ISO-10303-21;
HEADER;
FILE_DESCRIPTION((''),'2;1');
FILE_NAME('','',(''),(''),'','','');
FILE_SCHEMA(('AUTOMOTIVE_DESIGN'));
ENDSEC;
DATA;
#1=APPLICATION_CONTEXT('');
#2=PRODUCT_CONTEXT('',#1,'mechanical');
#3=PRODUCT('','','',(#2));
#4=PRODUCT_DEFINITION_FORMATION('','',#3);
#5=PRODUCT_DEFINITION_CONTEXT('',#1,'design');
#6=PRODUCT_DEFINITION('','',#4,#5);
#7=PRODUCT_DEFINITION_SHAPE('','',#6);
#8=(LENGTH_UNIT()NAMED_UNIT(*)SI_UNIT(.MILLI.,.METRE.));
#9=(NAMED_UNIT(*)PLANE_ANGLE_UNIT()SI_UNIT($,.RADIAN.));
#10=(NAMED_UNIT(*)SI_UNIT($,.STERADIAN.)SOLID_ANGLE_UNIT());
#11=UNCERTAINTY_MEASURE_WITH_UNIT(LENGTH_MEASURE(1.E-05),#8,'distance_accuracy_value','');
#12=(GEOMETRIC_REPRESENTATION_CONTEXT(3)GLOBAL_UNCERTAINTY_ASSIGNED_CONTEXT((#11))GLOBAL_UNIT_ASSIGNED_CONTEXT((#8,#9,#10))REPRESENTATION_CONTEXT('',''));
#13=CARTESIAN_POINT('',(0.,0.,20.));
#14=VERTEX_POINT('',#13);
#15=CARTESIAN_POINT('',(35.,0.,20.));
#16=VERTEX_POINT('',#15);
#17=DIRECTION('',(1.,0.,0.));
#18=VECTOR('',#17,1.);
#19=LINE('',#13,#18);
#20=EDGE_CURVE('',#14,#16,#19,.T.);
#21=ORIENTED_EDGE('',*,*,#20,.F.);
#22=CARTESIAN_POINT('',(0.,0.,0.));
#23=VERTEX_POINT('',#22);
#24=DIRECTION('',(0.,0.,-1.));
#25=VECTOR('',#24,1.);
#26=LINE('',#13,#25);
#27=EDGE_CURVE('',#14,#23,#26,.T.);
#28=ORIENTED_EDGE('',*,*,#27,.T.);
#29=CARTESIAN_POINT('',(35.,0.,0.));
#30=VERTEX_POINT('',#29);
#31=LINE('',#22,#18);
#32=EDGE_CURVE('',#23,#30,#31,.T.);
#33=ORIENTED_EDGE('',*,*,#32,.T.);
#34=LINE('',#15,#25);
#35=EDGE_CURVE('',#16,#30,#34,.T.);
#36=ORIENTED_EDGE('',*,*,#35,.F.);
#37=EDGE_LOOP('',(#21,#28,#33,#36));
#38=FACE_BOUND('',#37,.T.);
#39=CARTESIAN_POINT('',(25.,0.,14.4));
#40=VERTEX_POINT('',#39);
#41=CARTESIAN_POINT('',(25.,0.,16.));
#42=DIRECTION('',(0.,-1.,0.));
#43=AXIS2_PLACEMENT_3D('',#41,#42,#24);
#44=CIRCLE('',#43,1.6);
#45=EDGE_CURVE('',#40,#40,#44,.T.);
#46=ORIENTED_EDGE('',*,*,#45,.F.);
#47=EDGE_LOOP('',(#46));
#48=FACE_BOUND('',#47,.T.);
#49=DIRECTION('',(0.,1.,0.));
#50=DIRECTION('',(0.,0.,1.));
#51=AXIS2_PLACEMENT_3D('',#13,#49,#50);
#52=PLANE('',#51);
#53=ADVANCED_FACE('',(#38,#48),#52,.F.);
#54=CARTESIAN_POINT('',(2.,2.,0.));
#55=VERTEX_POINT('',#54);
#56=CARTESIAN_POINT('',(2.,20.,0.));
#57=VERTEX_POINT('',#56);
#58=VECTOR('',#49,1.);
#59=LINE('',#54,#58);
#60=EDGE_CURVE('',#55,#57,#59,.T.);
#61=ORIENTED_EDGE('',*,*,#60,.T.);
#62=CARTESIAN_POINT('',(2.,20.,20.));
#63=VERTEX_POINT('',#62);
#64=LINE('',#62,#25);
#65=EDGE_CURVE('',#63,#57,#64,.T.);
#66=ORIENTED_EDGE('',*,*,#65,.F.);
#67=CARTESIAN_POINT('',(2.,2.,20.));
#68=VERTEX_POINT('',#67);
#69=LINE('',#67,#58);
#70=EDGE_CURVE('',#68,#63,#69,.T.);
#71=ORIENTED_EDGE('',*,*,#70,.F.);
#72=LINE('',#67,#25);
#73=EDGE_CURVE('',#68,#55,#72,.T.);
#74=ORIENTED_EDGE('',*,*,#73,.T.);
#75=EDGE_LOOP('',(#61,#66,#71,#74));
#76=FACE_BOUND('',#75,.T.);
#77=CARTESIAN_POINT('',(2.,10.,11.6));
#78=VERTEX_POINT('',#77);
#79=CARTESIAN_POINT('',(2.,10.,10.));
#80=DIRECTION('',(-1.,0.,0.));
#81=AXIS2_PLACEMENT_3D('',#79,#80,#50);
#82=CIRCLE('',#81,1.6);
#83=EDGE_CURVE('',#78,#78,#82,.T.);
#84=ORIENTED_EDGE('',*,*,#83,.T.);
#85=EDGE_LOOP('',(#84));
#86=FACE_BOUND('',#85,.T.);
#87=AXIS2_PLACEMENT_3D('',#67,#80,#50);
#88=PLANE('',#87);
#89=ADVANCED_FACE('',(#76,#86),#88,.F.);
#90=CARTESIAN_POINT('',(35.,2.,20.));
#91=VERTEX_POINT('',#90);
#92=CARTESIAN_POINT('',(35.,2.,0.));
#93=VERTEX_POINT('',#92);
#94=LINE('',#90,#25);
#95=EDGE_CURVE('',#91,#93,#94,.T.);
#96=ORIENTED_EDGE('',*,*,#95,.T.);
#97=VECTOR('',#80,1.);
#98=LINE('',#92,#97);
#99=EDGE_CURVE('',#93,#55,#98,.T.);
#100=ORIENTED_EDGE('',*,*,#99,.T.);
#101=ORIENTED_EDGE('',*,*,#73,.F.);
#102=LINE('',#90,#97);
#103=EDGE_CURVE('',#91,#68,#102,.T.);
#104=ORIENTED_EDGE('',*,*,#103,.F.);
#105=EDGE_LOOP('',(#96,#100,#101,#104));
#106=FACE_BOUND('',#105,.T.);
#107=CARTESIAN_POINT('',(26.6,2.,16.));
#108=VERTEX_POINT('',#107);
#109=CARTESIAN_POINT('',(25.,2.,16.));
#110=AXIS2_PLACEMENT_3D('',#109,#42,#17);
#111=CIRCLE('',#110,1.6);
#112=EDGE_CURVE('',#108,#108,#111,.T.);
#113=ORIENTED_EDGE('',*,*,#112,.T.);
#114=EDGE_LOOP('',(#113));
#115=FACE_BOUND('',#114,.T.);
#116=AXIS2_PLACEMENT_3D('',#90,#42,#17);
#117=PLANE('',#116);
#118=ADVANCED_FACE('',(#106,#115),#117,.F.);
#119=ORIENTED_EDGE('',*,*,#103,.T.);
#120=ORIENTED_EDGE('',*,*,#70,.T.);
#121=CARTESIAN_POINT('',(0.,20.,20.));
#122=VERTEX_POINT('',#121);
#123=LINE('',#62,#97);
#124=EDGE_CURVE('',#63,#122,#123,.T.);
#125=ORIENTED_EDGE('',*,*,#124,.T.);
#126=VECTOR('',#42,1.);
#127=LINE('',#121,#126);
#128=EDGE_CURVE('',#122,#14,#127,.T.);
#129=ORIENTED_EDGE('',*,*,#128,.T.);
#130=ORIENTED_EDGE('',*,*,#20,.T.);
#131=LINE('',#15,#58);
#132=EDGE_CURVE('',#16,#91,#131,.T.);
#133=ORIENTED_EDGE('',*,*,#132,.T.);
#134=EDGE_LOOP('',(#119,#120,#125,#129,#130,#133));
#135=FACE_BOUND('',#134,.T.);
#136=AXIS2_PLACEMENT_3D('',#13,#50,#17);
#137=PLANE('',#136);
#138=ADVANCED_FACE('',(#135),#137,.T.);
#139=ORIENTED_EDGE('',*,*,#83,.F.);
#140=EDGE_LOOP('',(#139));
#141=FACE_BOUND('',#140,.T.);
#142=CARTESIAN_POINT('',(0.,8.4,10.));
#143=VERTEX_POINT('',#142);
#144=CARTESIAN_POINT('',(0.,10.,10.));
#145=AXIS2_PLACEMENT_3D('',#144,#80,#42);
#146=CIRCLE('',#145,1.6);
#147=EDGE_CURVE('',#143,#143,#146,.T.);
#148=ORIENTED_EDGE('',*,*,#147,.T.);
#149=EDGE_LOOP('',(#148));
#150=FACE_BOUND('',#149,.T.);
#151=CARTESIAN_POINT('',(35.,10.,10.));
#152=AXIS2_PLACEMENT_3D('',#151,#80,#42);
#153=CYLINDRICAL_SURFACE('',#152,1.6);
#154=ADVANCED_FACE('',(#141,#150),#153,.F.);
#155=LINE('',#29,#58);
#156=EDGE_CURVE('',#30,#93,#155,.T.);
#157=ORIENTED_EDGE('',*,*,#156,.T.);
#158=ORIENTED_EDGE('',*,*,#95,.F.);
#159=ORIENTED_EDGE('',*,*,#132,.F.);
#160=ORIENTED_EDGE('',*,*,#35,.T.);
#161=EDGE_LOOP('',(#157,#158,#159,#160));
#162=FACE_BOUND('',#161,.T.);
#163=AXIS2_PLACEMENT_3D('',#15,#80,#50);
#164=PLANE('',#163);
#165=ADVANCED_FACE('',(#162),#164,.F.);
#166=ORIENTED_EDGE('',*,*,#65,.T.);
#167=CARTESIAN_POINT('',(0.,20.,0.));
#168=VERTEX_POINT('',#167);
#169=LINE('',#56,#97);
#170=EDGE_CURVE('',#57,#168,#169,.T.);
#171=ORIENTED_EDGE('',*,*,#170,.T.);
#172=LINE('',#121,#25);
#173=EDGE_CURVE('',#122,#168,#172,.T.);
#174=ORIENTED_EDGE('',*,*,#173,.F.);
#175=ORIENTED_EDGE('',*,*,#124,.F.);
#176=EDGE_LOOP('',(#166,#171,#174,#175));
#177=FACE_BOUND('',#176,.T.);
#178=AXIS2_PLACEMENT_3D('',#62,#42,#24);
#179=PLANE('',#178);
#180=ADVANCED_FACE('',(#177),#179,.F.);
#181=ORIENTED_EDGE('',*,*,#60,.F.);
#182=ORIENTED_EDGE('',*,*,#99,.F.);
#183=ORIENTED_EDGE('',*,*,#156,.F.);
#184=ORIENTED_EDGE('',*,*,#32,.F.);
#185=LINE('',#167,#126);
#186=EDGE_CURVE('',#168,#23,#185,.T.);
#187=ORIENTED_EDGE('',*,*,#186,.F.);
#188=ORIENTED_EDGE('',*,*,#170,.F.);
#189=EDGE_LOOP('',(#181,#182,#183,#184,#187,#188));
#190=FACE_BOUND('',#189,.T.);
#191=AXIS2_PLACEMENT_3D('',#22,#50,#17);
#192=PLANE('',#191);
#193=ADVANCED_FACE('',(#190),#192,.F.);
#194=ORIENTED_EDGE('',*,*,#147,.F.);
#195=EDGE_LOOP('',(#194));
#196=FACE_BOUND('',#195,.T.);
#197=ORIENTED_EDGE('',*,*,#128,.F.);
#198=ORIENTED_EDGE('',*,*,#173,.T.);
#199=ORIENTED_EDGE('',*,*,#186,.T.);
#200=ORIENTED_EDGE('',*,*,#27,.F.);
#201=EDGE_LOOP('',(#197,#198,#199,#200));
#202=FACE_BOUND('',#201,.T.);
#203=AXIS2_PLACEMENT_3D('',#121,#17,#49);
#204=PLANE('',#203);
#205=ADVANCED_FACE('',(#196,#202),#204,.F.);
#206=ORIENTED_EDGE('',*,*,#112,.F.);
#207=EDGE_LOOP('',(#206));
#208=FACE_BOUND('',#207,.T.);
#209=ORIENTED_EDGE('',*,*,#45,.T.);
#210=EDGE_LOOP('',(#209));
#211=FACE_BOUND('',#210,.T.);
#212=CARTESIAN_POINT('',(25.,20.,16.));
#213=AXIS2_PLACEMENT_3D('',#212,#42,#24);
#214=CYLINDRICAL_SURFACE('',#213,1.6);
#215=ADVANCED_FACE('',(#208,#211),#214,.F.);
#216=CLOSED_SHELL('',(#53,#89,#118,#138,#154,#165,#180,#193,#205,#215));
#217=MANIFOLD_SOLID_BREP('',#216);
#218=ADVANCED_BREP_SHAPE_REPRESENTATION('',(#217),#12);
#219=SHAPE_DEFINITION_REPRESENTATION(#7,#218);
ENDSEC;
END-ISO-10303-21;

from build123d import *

# Parameters (mm, degrees)
EXTRUDE_1_DEPTH     = 20
SKETCH_3_R          = 1.6
CUT_EXTRUDE_2_DEPTH = 36
SKETCH_4_R          = 1.6
CUT_EXTRUDE_3_DEPTH = 21


with BuildPart() as part:
    # Эскиз1 → Бобышка-Вытянуть1 (new body)
    with BuildSketch(Plane.XY):
        Polygon((0, 0), (35, 0), (35, 2), (2, 2), (2, 20), (0, 20), align=None)
    extrude(amount=EXTRUDE_1_DEPTH)

    # Эскиз3 → Вырез-Вытянуть2 (cut, through all)
    with BuildSketch(Plane.ZY):
        with Locations((10, 10)):
            Circle(SKETCH_3_R)
    extrude(amount=-CUT_EXTRUDE_2_DEPTH, mode=Mode.SUBTRACT)

    # Эскиз4 → Вырез-Вытянуть3 (cut, through all)
    with BuildSketch(Plane.XZ):
        with Locations((25, 16)):
            Circle(SKETCH_4_R)
    extrude(amount=-CUT_EXTRUDE_3_DEPTH, mode=Mode.SUBTRACT)


solid = part.part
